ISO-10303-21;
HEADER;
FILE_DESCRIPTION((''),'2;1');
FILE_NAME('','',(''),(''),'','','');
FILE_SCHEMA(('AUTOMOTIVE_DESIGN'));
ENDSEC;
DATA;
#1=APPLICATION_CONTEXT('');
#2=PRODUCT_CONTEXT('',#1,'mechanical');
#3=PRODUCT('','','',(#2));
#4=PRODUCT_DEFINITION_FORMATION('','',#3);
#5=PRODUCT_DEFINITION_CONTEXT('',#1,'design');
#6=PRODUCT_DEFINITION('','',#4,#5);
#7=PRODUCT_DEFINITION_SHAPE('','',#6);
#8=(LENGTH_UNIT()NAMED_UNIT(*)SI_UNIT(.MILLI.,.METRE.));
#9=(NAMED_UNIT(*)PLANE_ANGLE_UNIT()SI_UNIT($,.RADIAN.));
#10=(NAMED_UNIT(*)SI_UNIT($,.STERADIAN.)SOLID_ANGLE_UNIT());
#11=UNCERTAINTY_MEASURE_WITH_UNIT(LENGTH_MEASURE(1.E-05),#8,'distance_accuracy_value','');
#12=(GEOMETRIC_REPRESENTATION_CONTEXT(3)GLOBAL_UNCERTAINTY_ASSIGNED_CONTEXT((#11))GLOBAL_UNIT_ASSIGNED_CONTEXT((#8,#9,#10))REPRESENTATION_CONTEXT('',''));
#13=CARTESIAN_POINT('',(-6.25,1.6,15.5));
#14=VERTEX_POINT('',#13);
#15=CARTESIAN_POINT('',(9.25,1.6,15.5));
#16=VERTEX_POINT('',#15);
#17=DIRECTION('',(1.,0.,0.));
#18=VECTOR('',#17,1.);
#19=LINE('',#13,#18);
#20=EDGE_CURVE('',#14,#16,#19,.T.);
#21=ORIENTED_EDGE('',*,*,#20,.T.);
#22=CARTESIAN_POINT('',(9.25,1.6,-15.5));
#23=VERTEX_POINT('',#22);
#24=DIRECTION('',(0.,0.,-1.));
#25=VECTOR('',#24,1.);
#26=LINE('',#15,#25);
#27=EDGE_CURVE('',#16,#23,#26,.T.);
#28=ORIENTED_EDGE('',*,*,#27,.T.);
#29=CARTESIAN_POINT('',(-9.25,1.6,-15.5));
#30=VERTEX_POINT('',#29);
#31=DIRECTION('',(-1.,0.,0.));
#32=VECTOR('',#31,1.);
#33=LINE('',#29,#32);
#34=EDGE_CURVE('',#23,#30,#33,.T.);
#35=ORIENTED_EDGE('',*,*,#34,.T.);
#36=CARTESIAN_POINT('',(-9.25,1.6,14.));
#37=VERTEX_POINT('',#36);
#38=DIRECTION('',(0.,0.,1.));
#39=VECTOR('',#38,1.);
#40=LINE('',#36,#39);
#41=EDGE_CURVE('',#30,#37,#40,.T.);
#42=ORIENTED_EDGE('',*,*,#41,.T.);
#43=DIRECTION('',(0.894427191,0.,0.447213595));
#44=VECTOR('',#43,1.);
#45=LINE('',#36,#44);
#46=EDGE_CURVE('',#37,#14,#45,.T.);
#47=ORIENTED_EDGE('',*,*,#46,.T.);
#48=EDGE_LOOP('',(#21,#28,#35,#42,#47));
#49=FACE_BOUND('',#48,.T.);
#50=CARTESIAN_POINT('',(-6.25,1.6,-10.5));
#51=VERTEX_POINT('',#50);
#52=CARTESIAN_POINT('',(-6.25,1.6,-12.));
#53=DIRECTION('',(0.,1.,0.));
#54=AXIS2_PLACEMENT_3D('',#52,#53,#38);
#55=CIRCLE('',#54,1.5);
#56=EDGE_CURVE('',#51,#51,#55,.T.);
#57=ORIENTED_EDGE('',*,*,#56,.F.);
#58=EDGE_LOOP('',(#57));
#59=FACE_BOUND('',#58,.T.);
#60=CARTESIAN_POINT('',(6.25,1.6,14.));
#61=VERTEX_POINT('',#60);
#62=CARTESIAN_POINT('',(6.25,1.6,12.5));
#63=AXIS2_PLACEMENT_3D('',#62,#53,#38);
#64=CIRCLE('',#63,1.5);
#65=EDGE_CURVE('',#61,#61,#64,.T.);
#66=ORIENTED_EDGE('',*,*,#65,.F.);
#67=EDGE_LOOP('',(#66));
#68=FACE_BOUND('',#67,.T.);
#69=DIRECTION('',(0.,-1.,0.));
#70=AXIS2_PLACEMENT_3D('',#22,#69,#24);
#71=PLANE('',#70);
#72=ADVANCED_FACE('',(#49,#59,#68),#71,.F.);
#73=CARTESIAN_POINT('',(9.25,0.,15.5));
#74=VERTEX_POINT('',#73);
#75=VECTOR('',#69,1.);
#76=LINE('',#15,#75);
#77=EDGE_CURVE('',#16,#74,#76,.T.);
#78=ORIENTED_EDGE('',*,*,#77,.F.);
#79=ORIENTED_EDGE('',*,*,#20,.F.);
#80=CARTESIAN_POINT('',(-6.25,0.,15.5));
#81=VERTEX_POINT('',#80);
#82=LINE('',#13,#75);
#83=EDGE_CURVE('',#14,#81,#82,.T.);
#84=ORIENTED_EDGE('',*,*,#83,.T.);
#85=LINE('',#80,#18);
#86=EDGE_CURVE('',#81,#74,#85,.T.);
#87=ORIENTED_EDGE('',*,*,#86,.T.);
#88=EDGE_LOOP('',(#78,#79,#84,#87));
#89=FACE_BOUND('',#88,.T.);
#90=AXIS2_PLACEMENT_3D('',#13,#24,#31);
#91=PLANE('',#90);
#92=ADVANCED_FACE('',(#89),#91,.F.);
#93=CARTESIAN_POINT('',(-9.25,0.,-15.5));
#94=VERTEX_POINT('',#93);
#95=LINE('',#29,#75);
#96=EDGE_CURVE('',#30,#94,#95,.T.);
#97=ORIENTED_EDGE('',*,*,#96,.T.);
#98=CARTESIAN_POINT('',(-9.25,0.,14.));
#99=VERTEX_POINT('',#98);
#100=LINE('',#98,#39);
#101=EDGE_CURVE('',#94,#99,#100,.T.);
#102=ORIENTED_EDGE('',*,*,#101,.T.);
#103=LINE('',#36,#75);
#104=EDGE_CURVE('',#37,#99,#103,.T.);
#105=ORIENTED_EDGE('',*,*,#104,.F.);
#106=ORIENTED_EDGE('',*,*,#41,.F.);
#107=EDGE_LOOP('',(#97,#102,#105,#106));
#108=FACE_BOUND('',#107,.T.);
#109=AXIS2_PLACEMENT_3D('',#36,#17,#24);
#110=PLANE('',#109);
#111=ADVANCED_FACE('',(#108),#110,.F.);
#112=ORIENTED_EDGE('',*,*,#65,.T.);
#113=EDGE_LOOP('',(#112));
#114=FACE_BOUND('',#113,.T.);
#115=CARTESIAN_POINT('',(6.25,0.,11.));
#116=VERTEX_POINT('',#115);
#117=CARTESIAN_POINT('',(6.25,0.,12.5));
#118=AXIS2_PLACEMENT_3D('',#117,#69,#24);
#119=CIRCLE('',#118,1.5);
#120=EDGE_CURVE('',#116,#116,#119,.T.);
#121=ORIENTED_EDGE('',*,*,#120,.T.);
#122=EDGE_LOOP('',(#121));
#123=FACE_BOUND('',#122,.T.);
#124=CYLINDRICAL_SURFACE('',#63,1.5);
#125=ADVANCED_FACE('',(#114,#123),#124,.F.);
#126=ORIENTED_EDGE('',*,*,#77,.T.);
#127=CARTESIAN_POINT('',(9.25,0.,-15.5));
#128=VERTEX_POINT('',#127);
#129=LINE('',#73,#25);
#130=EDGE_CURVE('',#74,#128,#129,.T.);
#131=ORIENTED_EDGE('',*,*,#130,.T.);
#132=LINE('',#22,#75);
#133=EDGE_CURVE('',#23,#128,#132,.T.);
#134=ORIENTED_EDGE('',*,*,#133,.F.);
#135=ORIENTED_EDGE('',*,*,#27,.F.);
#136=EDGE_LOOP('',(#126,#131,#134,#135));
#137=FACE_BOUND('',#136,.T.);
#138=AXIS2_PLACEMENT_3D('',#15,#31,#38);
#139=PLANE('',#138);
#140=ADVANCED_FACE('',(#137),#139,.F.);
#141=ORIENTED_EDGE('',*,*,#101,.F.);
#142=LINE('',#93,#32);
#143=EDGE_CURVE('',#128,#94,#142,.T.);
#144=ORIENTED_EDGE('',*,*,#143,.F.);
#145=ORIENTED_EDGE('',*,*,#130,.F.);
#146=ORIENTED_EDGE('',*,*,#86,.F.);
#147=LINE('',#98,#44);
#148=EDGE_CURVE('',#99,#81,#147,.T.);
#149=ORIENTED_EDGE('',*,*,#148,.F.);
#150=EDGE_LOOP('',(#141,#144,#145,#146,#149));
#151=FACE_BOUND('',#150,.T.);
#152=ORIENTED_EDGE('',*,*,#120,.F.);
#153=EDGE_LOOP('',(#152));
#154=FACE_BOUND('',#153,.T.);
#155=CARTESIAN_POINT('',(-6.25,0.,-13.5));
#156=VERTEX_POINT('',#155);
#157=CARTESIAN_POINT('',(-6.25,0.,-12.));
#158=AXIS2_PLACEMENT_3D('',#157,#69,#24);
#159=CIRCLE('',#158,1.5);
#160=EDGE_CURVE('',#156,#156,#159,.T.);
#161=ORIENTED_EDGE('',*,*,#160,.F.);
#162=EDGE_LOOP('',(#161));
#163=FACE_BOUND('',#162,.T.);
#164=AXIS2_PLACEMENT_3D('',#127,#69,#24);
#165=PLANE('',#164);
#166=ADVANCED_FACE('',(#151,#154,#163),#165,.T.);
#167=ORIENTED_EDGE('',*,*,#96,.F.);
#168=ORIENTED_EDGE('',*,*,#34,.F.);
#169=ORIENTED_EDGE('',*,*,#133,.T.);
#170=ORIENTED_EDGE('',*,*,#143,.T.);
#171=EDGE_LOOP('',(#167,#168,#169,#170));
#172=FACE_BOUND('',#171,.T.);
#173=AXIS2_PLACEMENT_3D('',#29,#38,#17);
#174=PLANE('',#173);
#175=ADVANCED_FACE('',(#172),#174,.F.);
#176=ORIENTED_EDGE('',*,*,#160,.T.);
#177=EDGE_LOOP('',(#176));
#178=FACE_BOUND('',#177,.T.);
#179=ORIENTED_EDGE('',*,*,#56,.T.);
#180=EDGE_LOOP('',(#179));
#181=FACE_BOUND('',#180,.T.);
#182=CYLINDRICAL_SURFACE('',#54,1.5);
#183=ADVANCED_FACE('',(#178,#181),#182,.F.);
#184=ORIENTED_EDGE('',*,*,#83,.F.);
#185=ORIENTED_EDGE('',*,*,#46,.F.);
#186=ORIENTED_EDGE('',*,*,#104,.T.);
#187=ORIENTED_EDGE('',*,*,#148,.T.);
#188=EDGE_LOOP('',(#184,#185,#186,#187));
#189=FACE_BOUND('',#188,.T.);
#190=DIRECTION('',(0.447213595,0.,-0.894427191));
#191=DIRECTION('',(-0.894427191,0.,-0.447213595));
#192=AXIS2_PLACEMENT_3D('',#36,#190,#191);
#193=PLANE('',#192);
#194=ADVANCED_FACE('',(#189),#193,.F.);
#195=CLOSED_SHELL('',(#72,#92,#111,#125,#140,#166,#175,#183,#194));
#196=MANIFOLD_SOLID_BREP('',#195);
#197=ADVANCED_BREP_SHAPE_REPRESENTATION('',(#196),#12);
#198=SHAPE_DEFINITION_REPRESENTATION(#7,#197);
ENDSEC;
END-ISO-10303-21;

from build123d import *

# Parameters (mm, degrees)
EXTRUDE1_DEPTH               = 1.6
F_3_0_3_DIAMETER_HOLE1_D     = 3
F_3_0_3_DIAMETER_HOLE1_DEPTH = 10
F_3_0_3_DIAMETER_HOLE1_TIP   = 0.901290929


with BuildPart() as part:
    # Sketch1 → Extrude1 (new body)
    with BuildSketch(Plane(origin=(0, 0, 0), x_dir=(1, 0, 0), z_dir=(0, 1, 0))):
        Polygon((-6.25, -15.5), (9.25, -15.5), (9.25, 15.5), (-9.25, 15.5), (-9.25, -14), align=None)
    extrude(amount=EXTRUDE1_DEPTH)

    # Ø3.0 (3) Diameter Hole1
    with Locations(Plane(origin=(6.25, 1.6, 12.5), x_dir=(0, 0, 1), z_dir=(0, 1, 0))):
        with Locations((0, 0), (-24.5, -12.5)):
            Hole(F_3_0_3_DIAMETER_HOLE1_D / 2, depth=F_3_0_3_DIAMETER_HOLE1_DEPTH)
            with Locations((0, 0, -(F_3_0_3_DIAMETER_HOLE1_DEPTH + F_3_0_3_DIAMETER_HOLE1_TIP / 2))):  # 118° drill point
                Cone(0, F_3_0_3_DIAMETER_HOLE1_D / 2, F_3_0_3_DIAMETER_HOLE1_TIP, mode=Mode.SUBTRACT)


solid = part.part
